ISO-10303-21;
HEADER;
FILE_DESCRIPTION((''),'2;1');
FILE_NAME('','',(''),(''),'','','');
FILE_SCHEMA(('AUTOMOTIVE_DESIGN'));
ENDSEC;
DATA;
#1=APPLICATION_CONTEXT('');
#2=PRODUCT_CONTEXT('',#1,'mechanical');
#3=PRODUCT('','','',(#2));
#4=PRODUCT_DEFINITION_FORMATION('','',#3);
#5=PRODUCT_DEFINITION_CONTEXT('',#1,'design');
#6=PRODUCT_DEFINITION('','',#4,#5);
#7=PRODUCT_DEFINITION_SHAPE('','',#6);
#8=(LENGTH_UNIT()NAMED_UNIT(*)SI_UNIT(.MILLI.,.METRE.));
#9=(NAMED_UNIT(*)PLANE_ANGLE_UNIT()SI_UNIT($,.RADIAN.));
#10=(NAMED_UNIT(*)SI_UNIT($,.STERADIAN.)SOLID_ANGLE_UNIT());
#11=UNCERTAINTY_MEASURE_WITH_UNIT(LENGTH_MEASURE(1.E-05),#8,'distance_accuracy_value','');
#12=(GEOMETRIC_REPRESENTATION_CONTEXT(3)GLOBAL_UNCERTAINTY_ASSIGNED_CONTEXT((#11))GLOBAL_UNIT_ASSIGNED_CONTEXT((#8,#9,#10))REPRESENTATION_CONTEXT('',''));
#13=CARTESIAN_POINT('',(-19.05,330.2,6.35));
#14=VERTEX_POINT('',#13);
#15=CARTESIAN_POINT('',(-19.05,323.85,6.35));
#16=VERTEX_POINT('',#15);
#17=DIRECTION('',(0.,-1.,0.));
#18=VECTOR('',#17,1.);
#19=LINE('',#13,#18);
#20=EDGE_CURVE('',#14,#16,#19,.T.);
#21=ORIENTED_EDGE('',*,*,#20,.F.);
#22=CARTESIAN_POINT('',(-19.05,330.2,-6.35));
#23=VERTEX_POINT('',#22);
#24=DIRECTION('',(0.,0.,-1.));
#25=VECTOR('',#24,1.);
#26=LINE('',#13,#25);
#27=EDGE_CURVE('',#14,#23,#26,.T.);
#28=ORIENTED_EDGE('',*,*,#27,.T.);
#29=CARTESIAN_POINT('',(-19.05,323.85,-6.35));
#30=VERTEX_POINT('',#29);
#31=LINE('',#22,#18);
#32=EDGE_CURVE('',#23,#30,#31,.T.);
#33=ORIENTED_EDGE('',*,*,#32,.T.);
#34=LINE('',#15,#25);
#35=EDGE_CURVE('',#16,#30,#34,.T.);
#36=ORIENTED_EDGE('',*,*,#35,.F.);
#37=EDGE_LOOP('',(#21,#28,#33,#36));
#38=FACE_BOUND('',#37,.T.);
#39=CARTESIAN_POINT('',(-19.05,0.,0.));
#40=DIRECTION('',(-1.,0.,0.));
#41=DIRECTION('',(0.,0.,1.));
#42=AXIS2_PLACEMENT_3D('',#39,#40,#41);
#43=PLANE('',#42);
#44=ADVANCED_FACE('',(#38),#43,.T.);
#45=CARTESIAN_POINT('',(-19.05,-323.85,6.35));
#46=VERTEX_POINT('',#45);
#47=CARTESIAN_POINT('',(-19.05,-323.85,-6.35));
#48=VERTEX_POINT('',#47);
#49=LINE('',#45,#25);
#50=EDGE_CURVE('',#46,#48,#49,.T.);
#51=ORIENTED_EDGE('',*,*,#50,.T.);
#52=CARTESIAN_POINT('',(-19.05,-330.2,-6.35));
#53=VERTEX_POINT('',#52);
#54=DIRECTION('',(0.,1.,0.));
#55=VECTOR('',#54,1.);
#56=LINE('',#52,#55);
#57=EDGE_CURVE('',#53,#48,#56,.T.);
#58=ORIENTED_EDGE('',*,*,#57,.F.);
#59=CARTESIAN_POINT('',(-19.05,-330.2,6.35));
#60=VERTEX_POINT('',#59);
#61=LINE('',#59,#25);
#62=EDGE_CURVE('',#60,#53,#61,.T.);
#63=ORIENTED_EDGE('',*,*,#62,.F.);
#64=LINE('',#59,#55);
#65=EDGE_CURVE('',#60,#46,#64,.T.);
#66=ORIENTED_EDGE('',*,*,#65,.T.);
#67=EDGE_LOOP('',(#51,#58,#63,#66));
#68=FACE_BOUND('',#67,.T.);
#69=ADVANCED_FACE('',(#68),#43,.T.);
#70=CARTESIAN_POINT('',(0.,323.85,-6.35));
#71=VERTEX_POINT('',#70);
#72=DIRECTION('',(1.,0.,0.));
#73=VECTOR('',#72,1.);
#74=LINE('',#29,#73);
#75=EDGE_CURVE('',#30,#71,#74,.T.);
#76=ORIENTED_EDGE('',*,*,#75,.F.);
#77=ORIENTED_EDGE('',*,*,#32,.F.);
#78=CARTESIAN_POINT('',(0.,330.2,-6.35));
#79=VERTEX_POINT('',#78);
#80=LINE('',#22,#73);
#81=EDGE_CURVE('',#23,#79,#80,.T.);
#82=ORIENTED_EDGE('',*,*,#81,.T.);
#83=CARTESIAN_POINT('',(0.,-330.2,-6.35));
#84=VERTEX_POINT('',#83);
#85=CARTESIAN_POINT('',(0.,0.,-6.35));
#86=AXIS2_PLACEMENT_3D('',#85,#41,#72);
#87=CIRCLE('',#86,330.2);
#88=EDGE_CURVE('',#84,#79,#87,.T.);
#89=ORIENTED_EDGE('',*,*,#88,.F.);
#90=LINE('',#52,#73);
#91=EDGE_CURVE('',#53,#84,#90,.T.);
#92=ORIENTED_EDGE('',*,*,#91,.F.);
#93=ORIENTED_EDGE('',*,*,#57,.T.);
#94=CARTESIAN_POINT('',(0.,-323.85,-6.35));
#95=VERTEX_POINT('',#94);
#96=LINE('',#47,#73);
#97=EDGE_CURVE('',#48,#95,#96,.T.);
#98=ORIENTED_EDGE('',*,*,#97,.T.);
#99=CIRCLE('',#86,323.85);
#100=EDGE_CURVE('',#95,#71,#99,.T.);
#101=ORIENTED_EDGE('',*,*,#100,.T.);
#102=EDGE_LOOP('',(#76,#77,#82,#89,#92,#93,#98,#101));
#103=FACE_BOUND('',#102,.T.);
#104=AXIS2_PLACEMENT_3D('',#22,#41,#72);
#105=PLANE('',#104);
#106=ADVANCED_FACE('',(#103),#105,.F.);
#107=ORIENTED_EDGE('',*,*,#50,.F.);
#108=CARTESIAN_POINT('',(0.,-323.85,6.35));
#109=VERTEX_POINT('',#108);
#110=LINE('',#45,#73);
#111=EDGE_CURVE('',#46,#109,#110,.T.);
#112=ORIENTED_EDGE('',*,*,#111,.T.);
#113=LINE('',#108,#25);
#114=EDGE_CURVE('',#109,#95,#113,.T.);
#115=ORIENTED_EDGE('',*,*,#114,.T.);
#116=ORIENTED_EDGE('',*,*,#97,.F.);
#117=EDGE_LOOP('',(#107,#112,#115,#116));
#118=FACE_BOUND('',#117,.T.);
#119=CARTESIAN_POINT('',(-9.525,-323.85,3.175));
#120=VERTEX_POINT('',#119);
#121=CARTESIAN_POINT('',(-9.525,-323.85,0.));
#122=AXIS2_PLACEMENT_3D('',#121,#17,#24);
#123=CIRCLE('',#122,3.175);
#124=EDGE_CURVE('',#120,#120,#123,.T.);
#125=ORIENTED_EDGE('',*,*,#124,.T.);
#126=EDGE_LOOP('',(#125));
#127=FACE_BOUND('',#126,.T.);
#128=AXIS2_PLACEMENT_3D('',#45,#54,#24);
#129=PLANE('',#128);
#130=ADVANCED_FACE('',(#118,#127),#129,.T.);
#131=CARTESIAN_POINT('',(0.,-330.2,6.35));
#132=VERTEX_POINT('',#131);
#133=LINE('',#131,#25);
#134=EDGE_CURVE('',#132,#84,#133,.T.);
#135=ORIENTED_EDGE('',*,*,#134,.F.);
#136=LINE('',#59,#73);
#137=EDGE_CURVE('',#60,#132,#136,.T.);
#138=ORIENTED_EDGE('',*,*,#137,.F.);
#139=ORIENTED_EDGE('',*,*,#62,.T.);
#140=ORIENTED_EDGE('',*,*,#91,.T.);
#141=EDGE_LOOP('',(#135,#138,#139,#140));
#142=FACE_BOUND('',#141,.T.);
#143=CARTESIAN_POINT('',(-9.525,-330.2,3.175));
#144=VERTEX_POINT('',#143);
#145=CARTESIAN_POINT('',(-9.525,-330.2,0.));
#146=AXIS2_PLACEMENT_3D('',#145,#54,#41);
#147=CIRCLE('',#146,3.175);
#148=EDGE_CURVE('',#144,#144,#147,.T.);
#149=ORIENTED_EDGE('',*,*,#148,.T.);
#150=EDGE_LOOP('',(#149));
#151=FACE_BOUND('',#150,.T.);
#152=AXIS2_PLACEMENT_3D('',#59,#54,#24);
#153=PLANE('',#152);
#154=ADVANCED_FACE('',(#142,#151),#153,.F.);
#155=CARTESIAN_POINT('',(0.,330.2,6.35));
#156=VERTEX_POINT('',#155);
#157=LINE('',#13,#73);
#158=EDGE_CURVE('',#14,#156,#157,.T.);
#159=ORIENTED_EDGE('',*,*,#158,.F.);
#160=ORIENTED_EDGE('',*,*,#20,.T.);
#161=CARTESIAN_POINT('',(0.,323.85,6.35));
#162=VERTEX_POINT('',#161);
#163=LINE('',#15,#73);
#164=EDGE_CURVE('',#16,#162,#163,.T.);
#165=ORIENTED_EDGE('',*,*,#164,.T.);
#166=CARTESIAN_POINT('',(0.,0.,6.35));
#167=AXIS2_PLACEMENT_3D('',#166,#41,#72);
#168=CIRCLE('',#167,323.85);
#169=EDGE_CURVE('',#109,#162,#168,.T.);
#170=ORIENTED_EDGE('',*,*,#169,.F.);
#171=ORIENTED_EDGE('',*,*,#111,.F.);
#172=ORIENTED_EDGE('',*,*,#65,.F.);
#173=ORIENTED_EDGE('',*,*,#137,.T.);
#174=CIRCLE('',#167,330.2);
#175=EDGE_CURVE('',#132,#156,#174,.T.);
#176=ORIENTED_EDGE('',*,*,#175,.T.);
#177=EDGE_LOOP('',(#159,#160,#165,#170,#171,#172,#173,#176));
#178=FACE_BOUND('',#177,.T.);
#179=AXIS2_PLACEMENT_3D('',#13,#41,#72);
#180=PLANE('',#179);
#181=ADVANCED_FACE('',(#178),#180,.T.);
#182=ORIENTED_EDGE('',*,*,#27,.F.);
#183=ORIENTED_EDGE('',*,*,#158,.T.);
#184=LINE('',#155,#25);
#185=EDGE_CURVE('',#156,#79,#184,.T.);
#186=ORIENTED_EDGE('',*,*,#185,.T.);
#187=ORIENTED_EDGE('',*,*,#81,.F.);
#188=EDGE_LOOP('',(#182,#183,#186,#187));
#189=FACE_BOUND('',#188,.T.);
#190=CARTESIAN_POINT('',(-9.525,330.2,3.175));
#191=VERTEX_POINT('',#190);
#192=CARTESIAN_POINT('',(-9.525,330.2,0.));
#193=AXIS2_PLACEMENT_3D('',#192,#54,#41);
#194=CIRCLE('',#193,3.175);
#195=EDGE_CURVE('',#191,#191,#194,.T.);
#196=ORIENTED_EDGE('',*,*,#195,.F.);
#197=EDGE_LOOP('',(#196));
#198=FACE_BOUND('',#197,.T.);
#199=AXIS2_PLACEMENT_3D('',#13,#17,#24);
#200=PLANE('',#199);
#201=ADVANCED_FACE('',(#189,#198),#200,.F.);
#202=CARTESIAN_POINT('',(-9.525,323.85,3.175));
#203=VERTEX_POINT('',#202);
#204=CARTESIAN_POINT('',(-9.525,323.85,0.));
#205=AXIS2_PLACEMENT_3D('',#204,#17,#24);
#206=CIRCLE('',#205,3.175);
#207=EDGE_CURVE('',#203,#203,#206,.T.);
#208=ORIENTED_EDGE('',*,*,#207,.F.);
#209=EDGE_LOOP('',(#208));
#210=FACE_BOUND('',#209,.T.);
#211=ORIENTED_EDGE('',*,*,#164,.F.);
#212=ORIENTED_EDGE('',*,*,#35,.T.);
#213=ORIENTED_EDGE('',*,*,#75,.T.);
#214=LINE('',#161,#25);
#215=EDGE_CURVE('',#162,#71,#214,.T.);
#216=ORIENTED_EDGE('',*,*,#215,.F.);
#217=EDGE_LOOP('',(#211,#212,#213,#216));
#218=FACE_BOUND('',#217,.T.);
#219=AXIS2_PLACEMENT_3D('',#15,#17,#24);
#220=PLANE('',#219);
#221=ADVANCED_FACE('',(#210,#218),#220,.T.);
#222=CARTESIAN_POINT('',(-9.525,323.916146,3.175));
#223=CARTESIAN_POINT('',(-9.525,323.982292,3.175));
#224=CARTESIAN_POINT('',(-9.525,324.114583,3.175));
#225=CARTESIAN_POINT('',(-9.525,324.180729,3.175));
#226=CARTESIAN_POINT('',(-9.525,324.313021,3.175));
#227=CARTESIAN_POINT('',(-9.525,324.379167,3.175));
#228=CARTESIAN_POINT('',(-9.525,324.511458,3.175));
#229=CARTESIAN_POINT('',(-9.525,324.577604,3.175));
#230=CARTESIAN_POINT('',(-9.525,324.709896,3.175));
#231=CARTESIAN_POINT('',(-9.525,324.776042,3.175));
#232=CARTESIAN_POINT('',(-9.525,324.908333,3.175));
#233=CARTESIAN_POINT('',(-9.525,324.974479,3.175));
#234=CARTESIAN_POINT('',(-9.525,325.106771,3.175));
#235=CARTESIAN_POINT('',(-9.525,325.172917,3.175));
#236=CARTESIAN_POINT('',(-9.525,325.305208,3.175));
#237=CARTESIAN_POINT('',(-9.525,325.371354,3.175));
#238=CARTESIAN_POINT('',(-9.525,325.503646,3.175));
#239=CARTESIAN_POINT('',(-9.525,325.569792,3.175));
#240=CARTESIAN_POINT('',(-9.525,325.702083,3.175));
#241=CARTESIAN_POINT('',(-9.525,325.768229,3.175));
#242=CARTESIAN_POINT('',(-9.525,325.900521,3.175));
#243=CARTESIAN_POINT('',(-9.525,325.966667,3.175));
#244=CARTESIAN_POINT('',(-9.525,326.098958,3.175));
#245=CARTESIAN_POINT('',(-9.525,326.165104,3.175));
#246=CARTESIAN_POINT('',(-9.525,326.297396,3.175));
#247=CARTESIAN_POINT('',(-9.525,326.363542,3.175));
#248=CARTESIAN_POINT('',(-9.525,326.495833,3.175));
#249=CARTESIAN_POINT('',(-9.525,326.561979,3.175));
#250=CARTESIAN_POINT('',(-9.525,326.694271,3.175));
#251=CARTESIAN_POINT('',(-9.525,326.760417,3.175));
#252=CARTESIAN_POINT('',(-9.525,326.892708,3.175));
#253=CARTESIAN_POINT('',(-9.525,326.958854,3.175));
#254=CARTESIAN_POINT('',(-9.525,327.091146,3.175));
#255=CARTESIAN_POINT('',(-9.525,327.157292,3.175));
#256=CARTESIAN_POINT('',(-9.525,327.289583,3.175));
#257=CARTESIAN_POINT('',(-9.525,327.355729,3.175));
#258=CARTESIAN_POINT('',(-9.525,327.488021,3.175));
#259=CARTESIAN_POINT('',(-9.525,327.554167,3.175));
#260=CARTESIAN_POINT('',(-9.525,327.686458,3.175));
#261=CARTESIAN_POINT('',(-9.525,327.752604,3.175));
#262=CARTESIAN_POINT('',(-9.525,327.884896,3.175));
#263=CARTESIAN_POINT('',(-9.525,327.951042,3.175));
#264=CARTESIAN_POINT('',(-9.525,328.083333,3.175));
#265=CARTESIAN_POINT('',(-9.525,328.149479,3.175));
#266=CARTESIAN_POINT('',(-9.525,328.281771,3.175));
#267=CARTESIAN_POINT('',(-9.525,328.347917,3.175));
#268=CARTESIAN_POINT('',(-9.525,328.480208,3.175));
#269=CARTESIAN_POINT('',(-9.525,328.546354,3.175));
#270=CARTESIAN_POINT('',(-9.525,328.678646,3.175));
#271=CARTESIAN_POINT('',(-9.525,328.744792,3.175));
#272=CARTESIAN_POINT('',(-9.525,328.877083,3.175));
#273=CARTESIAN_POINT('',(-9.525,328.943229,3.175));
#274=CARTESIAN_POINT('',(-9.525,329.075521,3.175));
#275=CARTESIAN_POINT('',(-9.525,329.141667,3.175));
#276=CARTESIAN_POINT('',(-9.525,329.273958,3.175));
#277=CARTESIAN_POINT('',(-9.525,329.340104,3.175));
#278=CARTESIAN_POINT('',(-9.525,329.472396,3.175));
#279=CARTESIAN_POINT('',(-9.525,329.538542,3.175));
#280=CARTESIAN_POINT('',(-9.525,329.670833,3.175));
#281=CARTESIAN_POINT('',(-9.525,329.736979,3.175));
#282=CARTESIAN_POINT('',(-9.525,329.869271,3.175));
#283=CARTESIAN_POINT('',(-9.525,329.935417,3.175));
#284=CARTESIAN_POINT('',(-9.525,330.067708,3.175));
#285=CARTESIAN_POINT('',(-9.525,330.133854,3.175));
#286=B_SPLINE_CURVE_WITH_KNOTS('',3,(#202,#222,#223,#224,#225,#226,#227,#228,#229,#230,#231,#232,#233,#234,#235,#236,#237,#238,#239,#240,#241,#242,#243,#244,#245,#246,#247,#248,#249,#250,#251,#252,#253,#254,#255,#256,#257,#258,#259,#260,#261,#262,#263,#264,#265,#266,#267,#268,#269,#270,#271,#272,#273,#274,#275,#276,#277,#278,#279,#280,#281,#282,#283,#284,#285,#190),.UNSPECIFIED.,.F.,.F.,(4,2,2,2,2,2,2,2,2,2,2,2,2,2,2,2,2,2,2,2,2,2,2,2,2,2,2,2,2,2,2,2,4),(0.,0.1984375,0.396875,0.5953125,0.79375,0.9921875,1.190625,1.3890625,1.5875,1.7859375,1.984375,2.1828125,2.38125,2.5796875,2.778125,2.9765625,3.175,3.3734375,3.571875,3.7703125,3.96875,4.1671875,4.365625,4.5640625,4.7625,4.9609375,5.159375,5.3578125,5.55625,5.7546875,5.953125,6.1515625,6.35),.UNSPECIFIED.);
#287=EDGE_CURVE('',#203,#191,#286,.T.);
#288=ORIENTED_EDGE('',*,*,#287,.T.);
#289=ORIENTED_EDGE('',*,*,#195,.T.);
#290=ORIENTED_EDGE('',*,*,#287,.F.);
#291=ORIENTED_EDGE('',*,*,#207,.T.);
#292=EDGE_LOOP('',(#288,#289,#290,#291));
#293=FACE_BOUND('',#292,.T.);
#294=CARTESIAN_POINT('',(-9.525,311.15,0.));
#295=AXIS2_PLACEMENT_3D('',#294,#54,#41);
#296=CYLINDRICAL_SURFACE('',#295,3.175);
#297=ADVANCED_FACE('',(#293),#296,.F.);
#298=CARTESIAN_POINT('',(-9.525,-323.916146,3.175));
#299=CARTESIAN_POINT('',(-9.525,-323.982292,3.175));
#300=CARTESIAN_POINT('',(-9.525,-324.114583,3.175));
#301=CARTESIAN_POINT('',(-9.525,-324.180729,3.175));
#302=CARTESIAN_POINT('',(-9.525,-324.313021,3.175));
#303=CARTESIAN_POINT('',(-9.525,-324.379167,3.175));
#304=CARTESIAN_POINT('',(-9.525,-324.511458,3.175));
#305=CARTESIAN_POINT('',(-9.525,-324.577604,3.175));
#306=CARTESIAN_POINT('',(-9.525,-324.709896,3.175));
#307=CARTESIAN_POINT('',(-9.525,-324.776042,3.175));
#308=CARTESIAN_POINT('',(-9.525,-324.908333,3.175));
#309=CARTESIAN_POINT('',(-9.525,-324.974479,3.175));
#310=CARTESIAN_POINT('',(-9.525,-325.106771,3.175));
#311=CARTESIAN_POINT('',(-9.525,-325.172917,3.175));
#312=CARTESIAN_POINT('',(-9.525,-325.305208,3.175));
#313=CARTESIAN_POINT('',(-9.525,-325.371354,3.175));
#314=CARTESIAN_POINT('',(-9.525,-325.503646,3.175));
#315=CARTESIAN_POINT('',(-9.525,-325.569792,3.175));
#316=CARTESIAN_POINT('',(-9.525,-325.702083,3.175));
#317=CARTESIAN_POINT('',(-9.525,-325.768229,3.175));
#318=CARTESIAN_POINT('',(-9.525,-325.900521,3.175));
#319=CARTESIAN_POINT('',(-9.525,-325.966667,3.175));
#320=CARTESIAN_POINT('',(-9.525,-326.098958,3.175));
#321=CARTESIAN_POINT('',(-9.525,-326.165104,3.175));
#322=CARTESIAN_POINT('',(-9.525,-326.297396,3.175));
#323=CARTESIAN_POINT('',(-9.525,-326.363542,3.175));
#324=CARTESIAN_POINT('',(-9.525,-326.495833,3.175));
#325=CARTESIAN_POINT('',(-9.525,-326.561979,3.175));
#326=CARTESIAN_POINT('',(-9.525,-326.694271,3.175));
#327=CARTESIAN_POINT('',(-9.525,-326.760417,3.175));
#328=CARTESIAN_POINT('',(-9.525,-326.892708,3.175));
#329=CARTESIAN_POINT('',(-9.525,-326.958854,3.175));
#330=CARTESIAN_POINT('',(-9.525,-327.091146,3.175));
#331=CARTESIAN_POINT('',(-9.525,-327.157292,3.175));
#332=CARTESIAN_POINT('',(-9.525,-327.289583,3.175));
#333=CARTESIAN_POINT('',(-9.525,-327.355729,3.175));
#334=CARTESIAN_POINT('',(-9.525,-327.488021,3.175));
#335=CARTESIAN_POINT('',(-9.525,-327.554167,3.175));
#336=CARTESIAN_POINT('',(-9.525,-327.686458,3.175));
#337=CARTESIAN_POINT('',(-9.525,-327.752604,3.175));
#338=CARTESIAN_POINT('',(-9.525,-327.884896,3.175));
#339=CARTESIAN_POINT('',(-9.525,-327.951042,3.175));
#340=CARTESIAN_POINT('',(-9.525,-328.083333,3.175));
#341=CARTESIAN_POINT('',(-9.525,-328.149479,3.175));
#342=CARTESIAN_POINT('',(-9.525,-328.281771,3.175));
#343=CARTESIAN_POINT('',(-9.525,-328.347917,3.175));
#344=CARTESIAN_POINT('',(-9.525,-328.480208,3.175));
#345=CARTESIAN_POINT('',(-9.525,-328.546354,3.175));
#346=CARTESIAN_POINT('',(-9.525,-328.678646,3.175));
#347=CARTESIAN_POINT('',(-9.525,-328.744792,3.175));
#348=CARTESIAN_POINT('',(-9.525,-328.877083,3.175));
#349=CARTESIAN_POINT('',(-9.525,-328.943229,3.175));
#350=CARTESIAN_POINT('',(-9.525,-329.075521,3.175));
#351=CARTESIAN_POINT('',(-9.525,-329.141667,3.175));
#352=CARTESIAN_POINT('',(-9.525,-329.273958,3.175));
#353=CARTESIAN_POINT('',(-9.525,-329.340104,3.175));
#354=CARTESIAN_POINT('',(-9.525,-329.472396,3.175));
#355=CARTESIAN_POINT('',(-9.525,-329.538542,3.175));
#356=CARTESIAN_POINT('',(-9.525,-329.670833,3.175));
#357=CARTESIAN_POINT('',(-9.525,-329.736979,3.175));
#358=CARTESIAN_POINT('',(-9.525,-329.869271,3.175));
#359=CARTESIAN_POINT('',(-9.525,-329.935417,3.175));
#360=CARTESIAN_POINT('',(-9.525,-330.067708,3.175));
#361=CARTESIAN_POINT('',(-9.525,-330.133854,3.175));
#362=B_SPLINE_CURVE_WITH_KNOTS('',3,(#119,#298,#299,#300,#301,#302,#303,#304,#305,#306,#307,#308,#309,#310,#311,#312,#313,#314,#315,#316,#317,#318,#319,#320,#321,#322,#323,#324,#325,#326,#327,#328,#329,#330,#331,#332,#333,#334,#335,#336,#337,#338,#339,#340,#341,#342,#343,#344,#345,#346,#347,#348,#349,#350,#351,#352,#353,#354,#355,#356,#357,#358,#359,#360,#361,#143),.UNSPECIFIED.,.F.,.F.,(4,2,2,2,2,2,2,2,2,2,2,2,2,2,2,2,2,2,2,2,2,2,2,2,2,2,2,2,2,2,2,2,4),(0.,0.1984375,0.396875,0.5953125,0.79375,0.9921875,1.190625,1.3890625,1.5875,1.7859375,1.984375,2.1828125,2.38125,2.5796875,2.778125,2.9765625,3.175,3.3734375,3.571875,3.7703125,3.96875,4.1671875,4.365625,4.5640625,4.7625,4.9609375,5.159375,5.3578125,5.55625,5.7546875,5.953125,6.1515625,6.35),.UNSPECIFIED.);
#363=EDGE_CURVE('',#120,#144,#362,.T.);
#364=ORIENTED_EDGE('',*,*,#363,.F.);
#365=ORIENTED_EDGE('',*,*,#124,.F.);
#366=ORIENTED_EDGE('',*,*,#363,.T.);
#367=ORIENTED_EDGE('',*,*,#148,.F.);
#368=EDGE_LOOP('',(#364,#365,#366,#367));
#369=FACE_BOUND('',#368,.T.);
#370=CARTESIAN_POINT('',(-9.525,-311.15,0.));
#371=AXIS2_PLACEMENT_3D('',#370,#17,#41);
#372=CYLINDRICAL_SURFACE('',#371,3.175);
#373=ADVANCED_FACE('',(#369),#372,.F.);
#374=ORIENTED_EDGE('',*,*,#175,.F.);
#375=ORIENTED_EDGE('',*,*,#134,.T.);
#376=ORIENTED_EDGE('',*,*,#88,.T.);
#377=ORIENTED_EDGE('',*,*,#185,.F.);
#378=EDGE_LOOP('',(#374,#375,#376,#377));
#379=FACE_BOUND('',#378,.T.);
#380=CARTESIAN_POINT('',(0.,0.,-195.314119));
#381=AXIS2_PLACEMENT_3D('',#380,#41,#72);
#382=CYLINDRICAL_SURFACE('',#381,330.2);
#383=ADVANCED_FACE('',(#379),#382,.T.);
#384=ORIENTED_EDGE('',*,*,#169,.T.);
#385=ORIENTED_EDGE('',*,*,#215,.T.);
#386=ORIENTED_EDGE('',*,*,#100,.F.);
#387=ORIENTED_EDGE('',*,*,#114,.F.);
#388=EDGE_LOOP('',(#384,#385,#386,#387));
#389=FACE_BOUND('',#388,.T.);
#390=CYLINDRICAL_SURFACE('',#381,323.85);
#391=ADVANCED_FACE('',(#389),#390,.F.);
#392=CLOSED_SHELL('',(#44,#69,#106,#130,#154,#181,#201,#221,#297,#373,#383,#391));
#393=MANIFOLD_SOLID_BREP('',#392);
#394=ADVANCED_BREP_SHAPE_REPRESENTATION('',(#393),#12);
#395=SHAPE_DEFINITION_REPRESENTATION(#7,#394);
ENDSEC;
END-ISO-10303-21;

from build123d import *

# Parameters (mm, degrees)
SKETCH1_W           = 12.7
SKETCH1_H           = 6.35
BOSS_EXTRUDE1_DEPTH = 19.05
SKETCH2_R           = 3.175
CUT_EXTRUDE1_DEPTH  = 19.05
SKETCH9_W           = 12.7
SKETCH9_H           = 6.35
REVOLVE1_ANGLE      = 90


with BuildPart() as part:
    # Sketch1 → Boss-Extrude1 (new body)
    with BuildSketch(Plane(origin=(0, 0, 0), x_dir=(0, 0, -1), z_dir=(1, 0, 0))):
        with Locations((0, 327.025)):
            Rectangle(SKETCH1_W, SKETCH1_H)
    extrude(amount=-BOSS_EXTRUDE1_DEPTH)

    # Sketch2 → Cut-Extrude1 (cut)
    with BuildSketch(Plane(origin=(0, 330.2, 0), x_dir=(1, 0, 0), z_dir=(0, 1, 0))):
        with Locations(Location((-9.525, 0, 0), (0, 0, 270))):
            Circle(SKETCH2_R)
    extrude(amount=-CUT_EXTRUDE1_DEPTH, mode=Mode.SUBTRACT)

    # Sketch9 → Revolve1 (revolve)
    with BuildSketch(Plane(origin=(0, 0, 0), x_dir=(0, 0, -1), z_dir=(1, 0, 0))):
        with Locations((0, 327.025)):
            Rectangle(SKETCH9_W, SKETCH9_H)
    revolve(axis=Axis((0, 0, -195.31411855), (0, 0, -1)), revolution_arc=REVOLVE1_ANGLE)

    # Mirror2: part across plane


with BuildPart() as part_1:
    add(part.part)
    add(part.part.mirror(Plane.ZX))


solid = part_1.part
